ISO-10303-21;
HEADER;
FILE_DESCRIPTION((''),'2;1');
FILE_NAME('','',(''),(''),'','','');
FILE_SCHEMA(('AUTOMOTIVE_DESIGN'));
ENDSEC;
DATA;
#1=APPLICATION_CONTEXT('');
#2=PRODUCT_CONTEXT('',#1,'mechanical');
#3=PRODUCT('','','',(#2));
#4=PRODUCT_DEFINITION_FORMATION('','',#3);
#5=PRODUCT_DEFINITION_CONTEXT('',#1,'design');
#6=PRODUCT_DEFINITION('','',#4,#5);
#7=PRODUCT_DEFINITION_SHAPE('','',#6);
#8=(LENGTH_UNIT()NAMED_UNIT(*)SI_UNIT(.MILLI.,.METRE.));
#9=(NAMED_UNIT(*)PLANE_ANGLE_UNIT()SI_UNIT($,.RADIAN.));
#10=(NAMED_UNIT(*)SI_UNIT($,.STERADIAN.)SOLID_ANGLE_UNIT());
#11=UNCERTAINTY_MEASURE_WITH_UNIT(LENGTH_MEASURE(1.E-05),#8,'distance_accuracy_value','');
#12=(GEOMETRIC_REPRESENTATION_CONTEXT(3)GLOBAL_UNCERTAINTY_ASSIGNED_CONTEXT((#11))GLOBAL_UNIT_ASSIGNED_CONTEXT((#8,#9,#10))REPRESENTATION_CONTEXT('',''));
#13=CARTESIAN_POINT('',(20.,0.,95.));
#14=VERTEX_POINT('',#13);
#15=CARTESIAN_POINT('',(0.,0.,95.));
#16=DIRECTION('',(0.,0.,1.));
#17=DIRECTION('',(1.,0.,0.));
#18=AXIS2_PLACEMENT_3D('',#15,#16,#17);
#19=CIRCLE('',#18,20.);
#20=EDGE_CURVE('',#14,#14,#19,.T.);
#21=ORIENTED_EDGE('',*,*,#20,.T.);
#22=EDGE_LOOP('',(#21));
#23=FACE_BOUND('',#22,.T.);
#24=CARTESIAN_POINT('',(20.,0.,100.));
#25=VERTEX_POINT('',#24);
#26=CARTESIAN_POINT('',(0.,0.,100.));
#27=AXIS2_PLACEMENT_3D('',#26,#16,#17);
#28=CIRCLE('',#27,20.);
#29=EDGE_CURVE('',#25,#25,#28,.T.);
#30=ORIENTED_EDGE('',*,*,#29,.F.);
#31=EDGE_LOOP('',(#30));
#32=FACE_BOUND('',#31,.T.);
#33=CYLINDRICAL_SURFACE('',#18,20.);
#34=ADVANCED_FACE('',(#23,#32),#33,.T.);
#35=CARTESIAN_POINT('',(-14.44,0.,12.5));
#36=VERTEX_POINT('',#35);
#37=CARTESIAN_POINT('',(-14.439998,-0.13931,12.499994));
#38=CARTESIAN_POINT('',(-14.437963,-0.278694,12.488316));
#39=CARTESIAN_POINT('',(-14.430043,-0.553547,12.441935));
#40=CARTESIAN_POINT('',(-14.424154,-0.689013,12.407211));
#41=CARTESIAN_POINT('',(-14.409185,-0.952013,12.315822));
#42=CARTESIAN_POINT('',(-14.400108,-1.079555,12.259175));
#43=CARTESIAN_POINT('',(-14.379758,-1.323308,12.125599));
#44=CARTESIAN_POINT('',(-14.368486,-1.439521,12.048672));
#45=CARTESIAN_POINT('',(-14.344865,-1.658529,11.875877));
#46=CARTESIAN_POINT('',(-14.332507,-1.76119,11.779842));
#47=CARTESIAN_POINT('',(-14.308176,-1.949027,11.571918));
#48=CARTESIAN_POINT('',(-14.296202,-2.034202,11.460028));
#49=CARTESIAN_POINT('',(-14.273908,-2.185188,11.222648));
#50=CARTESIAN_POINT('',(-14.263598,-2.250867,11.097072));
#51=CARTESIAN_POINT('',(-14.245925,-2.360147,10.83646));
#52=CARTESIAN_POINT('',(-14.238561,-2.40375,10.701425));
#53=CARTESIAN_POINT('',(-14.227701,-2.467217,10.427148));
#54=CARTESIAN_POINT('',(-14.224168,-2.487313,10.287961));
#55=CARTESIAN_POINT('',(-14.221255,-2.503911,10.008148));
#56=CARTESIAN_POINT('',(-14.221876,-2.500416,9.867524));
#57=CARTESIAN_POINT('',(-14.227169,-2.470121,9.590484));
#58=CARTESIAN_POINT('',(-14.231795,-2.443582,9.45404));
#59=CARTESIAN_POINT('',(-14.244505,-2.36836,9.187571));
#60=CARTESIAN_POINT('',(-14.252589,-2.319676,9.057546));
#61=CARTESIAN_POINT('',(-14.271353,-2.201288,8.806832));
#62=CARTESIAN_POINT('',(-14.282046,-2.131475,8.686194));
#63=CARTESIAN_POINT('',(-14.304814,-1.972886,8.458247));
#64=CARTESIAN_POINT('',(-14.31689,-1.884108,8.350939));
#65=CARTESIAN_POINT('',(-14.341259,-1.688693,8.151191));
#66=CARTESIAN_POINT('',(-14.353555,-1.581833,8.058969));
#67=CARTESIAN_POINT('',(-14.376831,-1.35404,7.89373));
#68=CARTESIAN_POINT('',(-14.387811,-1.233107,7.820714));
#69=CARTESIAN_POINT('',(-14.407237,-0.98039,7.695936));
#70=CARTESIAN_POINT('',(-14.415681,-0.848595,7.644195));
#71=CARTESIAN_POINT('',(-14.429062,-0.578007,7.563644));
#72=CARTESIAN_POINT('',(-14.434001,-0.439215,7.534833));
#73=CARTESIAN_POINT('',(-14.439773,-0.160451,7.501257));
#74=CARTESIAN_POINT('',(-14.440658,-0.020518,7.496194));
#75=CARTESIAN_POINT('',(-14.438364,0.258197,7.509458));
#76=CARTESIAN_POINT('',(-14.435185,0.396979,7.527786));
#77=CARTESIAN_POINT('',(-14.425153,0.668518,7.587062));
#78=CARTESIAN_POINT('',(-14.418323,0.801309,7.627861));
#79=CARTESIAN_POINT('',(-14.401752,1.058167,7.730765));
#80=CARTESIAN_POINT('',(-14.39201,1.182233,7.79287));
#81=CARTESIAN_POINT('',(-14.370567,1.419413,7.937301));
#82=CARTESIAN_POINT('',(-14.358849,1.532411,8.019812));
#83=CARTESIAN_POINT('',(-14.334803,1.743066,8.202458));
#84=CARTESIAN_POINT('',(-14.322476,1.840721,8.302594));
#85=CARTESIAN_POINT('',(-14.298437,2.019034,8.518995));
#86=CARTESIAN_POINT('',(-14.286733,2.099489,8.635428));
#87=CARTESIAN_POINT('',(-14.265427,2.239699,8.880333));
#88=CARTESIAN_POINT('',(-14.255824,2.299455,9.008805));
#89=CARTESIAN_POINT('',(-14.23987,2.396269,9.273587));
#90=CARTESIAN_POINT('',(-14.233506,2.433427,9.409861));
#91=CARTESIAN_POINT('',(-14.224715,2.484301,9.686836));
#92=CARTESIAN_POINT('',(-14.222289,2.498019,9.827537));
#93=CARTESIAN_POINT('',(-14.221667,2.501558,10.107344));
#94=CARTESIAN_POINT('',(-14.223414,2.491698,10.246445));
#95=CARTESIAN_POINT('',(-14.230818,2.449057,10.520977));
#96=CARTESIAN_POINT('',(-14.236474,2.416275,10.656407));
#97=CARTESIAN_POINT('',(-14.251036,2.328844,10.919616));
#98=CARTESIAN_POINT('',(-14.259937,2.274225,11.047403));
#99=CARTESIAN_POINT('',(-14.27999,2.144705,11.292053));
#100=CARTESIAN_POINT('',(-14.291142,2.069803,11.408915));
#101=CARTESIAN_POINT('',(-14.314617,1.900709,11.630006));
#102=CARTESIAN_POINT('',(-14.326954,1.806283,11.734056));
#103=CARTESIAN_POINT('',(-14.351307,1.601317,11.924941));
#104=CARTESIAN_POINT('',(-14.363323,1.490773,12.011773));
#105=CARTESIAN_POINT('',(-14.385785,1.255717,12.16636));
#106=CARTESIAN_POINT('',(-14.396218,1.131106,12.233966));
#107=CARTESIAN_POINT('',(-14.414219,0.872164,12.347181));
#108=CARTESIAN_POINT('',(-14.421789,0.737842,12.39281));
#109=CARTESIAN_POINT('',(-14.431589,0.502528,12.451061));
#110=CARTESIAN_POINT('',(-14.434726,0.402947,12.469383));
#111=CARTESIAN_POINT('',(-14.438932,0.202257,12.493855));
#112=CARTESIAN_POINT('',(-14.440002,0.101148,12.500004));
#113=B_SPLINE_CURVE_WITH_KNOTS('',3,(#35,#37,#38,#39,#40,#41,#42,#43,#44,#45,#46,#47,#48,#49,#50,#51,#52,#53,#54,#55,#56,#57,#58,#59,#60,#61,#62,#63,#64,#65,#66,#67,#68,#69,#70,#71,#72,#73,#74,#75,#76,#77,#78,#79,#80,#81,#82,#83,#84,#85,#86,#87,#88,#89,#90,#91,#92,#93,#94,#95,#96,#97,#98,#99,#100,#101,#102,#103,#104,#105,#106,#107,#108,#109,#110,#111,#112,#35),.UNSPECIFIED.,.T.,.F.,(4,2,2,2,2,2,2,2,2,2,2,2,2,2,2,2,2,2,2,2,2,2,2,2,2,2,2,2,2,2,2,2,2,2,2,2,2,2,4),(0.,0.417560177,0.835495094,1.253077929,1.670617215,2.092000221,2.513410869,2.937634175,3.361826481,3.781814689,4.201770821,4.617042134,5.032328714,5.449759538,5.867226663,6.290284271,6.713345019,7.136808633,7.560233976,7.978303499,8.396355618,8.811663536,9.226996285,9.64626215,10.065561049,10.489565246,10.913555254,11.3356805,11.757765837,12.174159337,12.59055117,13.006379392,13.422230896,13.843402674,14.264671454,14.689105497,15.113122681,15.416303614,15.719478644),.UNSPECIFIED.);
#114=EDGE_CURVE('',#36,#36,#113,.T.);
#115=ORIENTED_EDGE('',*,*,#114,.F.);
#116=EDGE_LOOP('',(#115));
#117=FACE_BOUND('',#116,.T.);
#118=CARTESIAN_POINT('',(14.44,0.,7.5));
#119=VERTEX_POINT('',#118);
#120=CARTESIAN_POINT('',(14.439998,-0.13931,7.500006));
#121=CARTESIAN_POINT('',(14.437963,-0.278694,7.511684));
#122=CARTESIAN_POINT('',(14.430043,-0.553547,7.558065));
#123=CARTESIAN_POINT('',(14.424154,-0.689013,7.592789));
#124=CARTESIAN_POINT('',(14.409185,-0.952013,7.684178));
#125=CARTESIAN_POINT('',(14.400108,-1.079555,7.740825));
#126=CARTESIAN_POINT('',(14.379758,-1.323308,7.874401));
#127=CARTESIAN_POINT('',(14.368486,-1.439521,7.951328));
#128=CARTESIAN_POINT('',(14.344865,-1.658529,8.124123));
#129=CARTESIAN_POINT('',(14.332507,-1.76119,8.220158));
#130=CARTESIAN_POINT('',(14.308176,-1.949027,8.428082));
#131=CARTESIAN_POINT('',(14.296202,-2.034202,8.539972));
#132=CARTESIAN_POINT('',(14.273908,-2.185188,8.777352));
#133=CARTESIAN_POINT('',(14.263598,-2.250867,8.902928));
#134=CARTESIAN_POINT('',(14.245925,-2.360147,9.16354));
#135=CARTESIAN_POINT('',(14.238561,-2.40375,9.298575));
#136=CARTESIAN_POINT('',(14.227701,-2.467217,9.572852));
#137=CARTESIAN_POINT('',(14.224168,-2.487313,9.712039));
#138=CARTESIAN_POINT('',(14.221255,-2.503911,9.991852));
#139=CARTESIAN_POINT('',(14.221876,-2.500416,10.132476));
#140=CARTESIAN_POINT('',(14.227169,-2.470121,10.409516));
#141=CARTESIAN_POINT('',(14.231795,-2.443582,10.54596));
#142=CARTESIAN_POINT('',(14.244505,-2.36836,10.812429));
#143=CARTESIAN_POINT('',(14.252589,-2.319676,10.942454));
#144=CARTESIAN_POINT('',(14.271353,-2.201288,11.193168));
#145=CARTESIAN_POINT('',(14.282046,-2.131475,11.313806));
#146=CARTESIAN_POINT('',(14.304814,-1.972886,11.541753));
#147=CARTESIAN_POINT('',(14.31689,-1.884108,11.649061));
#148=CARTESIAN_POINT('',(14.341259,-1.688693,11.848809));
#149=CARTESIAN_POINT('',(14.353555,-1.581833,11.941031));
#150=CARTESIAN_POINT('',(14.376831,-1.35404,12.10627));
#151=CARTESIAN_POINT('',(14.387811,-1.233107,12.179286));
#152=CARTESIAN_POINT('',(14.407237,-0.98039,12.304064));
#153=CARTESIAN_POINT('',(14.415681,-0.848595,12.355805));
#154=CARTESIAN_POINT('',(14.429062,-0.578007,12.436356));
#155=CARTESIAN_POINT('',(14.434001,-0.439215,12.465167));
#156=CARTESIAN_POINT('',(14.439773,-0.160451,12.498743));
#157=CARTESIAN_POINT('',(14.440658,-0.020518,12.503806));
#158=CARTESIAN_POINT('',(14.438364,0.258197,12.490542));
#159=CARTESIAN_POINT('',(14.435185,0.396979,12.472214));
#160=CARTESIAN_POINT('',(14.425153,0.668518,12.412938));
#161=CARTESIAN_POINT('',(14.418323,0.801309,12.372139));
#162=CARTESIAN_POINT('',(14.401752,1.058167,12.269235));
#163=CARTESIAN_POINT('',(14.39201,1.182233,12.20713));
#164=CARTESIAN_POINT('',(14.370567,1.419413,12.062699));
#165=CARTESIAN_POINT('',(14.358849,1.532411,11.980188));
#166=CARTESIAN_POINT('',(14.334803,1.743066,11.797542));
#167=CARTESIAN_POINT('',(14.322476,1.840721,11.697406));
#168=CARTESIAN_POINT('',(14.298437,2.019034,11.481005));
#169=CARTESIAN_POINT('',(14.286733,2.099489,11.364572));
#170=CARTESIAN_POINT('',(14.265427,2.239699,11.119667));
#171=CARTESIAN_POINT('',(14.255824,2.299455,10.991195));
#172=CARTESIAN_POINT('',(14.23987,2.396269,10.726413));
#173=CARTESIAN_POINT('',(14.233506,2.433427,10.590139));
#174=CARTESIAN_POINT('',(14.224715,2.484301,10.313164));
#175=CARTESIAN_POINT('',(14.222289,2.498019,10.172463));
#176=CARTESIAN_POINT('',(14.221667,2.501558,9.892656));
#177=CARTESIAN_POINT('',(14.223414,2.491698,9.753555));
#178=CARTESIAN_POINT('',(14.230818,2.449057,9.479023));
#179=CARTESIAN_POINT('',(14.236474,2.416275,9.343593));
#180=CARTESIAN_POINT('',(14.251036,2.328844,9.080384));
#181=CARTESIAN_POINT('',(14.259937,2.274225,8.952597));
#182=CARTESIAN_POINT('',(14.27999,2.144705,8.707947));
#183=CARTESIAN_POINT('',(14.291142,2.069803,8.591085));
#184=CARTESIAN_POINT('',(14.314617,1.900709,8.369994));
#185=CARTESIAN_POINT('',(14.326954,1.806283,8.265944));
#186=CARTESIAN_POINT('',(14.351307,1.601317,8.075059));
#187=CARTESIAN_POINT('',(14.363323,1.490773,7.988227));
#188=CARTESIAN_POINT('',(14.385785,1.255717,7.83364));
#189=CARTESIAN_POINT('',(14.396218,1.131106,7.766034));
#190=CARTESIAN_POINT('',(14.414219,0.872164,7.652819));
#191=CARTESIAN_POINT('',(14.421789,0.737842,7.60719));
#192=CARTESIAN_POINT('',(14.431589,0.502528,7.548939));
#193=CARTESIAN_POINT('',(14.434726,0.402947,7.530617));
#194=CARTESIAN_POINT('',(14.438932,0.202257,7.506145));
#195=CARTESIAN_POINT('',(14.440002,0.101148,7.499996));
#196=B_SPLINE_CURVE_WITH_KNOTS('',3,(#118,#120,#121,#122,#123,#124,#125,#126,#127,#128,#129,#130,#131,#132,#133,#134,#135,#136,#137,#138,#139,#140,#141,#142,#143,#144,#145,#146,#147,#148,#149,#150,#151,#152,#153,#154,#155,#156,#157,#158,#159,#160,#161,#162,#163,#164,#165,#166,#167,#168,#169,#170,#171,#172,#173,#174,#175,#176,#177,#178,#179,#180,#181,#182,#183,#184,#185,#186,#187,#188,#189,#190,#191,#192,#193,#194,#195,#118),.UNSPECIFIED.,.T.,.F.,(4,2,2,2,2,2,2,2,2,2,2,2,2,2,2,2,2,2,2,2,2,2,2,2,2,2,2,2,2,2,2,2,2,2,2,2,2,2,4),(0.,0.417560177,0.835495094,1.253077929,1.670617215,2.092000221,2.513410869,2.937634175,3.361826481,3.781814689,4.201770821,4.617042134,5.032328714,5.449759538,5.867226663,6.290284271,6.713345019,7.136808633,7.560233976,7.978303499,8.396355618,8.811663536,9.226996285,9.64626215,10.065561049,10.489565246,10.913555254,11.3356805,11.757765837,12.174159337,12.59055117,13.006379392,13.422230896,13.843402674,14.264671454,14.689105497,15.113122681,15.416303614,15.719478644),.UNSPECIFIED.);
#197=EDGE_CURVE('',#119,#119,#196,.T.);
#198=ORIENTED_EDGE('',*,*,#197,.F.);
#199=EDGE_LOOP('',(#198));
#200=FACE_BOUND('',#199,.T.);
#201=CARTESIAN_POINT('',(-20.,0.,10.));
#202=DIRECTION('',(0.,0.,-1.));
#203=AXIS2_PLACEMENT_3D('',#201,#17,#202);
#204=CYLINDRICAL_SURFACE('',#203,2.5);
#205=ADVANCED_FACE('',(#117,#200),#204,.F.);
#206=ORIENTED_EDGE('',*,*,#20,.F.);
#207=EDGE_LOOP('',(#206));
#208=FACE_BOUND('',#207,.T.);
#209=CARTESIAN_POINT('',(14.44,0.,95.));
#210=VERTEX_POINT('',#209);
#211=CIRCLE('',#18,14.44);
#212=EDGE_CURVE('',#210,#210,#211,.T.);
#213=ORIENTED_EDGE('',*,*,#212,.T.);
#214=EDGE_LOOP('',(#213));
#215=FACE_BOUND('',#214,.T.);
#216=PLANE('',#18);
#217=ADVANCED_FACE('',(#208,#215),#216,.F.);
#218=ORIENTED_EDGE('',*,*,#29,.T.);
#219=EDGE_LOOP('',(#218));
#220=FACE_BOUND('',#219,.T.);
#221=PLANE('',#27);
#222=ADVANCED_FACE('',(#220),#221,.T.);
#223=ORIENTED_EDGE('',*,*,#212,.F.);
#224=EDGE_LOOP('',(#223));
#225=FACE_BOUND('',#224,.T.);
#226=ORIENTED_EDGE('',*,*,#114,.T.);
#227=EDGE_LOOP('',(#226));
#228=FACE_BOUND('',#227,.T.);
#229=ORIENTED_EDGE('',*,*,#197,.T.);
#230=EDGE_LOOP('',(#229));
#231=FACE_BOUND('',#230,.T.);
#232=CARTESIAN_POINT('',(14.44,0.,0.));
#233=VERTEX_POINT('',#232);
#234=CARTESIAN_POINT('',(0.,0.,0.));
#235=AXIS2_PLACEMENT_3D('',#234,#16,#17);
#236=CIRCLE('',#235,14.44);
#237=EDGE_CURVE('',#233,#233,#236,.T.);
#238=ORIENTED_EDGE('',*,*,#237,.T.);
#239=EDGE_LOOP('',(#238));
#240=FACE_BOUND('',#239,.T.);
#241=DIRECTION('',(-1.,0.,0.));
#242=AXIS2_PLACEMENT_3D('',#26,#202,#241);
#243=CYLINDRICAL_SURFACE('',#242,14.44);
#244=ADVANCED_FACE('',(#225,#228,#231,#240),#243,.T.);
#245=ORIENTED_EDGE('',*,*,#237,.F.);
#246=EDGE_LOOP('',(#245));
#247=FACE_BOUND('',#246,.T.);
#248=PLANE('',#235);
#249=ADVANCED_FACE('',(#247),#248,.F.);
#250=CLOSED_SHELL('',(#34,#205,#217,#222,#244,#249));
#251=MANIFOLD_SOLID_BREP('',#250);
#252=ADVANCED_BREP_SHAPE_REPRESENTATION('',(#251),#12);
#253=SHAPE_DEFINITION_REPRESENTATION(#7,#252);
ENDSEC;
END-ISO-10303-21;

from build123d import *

# Parameters (mm, degrees)
SKETCH_1_R               = 14.44
EXTRUDE_1_DEPTH          = 100
SKETCH_3_R               = 20
EXTRUDE_3_DEPTH          = 5
CUT_EXTRUDE_1_DEPTH      = 104.923048454
CUT_EXTRUDE_1_DEPTH_BACK = 104.923048454
SKETCH_4_R               = 2.5


with BuildPart() as part:
    # 草图1 → 凸台-拉伸1 (new body)
    with BuildSketch(Plane.XY):
        Circle(SKETCH_1_R)
    extrude(amount=EXTRUDE_1_DEPTH)

    # 草图3 → 凸台-拉伸3 (add)
    with BuildSketch(Plane.XY.offset(100)):
        Circle(SKETCH_3_R)
    extrude(amount=-EXTRUDE_3_DEPTH)

    # 草图4 → 切除-拉伸1 (cut, two sides: drawn at the far end of the back side and taken through both)
    with BuildSketch(Plane(origin=(0, 0, 0), x_dir=(0, 0, -1), z_dir=(1, 0, 0)).offset(-CUT_EXTRUDE_1_DEPTH_BACK)):
        with Locations(Location((-10, 0, 0), (0, 0, 180))):
            Circle(SKETCH_4_R)
    extrude(amount=CUT_EXTRUDE_1_DEPTH + CUT_EXTRUDE_1_DEPTH_BACK, mode=Mode.SUBTRACT)


solid = part.part
